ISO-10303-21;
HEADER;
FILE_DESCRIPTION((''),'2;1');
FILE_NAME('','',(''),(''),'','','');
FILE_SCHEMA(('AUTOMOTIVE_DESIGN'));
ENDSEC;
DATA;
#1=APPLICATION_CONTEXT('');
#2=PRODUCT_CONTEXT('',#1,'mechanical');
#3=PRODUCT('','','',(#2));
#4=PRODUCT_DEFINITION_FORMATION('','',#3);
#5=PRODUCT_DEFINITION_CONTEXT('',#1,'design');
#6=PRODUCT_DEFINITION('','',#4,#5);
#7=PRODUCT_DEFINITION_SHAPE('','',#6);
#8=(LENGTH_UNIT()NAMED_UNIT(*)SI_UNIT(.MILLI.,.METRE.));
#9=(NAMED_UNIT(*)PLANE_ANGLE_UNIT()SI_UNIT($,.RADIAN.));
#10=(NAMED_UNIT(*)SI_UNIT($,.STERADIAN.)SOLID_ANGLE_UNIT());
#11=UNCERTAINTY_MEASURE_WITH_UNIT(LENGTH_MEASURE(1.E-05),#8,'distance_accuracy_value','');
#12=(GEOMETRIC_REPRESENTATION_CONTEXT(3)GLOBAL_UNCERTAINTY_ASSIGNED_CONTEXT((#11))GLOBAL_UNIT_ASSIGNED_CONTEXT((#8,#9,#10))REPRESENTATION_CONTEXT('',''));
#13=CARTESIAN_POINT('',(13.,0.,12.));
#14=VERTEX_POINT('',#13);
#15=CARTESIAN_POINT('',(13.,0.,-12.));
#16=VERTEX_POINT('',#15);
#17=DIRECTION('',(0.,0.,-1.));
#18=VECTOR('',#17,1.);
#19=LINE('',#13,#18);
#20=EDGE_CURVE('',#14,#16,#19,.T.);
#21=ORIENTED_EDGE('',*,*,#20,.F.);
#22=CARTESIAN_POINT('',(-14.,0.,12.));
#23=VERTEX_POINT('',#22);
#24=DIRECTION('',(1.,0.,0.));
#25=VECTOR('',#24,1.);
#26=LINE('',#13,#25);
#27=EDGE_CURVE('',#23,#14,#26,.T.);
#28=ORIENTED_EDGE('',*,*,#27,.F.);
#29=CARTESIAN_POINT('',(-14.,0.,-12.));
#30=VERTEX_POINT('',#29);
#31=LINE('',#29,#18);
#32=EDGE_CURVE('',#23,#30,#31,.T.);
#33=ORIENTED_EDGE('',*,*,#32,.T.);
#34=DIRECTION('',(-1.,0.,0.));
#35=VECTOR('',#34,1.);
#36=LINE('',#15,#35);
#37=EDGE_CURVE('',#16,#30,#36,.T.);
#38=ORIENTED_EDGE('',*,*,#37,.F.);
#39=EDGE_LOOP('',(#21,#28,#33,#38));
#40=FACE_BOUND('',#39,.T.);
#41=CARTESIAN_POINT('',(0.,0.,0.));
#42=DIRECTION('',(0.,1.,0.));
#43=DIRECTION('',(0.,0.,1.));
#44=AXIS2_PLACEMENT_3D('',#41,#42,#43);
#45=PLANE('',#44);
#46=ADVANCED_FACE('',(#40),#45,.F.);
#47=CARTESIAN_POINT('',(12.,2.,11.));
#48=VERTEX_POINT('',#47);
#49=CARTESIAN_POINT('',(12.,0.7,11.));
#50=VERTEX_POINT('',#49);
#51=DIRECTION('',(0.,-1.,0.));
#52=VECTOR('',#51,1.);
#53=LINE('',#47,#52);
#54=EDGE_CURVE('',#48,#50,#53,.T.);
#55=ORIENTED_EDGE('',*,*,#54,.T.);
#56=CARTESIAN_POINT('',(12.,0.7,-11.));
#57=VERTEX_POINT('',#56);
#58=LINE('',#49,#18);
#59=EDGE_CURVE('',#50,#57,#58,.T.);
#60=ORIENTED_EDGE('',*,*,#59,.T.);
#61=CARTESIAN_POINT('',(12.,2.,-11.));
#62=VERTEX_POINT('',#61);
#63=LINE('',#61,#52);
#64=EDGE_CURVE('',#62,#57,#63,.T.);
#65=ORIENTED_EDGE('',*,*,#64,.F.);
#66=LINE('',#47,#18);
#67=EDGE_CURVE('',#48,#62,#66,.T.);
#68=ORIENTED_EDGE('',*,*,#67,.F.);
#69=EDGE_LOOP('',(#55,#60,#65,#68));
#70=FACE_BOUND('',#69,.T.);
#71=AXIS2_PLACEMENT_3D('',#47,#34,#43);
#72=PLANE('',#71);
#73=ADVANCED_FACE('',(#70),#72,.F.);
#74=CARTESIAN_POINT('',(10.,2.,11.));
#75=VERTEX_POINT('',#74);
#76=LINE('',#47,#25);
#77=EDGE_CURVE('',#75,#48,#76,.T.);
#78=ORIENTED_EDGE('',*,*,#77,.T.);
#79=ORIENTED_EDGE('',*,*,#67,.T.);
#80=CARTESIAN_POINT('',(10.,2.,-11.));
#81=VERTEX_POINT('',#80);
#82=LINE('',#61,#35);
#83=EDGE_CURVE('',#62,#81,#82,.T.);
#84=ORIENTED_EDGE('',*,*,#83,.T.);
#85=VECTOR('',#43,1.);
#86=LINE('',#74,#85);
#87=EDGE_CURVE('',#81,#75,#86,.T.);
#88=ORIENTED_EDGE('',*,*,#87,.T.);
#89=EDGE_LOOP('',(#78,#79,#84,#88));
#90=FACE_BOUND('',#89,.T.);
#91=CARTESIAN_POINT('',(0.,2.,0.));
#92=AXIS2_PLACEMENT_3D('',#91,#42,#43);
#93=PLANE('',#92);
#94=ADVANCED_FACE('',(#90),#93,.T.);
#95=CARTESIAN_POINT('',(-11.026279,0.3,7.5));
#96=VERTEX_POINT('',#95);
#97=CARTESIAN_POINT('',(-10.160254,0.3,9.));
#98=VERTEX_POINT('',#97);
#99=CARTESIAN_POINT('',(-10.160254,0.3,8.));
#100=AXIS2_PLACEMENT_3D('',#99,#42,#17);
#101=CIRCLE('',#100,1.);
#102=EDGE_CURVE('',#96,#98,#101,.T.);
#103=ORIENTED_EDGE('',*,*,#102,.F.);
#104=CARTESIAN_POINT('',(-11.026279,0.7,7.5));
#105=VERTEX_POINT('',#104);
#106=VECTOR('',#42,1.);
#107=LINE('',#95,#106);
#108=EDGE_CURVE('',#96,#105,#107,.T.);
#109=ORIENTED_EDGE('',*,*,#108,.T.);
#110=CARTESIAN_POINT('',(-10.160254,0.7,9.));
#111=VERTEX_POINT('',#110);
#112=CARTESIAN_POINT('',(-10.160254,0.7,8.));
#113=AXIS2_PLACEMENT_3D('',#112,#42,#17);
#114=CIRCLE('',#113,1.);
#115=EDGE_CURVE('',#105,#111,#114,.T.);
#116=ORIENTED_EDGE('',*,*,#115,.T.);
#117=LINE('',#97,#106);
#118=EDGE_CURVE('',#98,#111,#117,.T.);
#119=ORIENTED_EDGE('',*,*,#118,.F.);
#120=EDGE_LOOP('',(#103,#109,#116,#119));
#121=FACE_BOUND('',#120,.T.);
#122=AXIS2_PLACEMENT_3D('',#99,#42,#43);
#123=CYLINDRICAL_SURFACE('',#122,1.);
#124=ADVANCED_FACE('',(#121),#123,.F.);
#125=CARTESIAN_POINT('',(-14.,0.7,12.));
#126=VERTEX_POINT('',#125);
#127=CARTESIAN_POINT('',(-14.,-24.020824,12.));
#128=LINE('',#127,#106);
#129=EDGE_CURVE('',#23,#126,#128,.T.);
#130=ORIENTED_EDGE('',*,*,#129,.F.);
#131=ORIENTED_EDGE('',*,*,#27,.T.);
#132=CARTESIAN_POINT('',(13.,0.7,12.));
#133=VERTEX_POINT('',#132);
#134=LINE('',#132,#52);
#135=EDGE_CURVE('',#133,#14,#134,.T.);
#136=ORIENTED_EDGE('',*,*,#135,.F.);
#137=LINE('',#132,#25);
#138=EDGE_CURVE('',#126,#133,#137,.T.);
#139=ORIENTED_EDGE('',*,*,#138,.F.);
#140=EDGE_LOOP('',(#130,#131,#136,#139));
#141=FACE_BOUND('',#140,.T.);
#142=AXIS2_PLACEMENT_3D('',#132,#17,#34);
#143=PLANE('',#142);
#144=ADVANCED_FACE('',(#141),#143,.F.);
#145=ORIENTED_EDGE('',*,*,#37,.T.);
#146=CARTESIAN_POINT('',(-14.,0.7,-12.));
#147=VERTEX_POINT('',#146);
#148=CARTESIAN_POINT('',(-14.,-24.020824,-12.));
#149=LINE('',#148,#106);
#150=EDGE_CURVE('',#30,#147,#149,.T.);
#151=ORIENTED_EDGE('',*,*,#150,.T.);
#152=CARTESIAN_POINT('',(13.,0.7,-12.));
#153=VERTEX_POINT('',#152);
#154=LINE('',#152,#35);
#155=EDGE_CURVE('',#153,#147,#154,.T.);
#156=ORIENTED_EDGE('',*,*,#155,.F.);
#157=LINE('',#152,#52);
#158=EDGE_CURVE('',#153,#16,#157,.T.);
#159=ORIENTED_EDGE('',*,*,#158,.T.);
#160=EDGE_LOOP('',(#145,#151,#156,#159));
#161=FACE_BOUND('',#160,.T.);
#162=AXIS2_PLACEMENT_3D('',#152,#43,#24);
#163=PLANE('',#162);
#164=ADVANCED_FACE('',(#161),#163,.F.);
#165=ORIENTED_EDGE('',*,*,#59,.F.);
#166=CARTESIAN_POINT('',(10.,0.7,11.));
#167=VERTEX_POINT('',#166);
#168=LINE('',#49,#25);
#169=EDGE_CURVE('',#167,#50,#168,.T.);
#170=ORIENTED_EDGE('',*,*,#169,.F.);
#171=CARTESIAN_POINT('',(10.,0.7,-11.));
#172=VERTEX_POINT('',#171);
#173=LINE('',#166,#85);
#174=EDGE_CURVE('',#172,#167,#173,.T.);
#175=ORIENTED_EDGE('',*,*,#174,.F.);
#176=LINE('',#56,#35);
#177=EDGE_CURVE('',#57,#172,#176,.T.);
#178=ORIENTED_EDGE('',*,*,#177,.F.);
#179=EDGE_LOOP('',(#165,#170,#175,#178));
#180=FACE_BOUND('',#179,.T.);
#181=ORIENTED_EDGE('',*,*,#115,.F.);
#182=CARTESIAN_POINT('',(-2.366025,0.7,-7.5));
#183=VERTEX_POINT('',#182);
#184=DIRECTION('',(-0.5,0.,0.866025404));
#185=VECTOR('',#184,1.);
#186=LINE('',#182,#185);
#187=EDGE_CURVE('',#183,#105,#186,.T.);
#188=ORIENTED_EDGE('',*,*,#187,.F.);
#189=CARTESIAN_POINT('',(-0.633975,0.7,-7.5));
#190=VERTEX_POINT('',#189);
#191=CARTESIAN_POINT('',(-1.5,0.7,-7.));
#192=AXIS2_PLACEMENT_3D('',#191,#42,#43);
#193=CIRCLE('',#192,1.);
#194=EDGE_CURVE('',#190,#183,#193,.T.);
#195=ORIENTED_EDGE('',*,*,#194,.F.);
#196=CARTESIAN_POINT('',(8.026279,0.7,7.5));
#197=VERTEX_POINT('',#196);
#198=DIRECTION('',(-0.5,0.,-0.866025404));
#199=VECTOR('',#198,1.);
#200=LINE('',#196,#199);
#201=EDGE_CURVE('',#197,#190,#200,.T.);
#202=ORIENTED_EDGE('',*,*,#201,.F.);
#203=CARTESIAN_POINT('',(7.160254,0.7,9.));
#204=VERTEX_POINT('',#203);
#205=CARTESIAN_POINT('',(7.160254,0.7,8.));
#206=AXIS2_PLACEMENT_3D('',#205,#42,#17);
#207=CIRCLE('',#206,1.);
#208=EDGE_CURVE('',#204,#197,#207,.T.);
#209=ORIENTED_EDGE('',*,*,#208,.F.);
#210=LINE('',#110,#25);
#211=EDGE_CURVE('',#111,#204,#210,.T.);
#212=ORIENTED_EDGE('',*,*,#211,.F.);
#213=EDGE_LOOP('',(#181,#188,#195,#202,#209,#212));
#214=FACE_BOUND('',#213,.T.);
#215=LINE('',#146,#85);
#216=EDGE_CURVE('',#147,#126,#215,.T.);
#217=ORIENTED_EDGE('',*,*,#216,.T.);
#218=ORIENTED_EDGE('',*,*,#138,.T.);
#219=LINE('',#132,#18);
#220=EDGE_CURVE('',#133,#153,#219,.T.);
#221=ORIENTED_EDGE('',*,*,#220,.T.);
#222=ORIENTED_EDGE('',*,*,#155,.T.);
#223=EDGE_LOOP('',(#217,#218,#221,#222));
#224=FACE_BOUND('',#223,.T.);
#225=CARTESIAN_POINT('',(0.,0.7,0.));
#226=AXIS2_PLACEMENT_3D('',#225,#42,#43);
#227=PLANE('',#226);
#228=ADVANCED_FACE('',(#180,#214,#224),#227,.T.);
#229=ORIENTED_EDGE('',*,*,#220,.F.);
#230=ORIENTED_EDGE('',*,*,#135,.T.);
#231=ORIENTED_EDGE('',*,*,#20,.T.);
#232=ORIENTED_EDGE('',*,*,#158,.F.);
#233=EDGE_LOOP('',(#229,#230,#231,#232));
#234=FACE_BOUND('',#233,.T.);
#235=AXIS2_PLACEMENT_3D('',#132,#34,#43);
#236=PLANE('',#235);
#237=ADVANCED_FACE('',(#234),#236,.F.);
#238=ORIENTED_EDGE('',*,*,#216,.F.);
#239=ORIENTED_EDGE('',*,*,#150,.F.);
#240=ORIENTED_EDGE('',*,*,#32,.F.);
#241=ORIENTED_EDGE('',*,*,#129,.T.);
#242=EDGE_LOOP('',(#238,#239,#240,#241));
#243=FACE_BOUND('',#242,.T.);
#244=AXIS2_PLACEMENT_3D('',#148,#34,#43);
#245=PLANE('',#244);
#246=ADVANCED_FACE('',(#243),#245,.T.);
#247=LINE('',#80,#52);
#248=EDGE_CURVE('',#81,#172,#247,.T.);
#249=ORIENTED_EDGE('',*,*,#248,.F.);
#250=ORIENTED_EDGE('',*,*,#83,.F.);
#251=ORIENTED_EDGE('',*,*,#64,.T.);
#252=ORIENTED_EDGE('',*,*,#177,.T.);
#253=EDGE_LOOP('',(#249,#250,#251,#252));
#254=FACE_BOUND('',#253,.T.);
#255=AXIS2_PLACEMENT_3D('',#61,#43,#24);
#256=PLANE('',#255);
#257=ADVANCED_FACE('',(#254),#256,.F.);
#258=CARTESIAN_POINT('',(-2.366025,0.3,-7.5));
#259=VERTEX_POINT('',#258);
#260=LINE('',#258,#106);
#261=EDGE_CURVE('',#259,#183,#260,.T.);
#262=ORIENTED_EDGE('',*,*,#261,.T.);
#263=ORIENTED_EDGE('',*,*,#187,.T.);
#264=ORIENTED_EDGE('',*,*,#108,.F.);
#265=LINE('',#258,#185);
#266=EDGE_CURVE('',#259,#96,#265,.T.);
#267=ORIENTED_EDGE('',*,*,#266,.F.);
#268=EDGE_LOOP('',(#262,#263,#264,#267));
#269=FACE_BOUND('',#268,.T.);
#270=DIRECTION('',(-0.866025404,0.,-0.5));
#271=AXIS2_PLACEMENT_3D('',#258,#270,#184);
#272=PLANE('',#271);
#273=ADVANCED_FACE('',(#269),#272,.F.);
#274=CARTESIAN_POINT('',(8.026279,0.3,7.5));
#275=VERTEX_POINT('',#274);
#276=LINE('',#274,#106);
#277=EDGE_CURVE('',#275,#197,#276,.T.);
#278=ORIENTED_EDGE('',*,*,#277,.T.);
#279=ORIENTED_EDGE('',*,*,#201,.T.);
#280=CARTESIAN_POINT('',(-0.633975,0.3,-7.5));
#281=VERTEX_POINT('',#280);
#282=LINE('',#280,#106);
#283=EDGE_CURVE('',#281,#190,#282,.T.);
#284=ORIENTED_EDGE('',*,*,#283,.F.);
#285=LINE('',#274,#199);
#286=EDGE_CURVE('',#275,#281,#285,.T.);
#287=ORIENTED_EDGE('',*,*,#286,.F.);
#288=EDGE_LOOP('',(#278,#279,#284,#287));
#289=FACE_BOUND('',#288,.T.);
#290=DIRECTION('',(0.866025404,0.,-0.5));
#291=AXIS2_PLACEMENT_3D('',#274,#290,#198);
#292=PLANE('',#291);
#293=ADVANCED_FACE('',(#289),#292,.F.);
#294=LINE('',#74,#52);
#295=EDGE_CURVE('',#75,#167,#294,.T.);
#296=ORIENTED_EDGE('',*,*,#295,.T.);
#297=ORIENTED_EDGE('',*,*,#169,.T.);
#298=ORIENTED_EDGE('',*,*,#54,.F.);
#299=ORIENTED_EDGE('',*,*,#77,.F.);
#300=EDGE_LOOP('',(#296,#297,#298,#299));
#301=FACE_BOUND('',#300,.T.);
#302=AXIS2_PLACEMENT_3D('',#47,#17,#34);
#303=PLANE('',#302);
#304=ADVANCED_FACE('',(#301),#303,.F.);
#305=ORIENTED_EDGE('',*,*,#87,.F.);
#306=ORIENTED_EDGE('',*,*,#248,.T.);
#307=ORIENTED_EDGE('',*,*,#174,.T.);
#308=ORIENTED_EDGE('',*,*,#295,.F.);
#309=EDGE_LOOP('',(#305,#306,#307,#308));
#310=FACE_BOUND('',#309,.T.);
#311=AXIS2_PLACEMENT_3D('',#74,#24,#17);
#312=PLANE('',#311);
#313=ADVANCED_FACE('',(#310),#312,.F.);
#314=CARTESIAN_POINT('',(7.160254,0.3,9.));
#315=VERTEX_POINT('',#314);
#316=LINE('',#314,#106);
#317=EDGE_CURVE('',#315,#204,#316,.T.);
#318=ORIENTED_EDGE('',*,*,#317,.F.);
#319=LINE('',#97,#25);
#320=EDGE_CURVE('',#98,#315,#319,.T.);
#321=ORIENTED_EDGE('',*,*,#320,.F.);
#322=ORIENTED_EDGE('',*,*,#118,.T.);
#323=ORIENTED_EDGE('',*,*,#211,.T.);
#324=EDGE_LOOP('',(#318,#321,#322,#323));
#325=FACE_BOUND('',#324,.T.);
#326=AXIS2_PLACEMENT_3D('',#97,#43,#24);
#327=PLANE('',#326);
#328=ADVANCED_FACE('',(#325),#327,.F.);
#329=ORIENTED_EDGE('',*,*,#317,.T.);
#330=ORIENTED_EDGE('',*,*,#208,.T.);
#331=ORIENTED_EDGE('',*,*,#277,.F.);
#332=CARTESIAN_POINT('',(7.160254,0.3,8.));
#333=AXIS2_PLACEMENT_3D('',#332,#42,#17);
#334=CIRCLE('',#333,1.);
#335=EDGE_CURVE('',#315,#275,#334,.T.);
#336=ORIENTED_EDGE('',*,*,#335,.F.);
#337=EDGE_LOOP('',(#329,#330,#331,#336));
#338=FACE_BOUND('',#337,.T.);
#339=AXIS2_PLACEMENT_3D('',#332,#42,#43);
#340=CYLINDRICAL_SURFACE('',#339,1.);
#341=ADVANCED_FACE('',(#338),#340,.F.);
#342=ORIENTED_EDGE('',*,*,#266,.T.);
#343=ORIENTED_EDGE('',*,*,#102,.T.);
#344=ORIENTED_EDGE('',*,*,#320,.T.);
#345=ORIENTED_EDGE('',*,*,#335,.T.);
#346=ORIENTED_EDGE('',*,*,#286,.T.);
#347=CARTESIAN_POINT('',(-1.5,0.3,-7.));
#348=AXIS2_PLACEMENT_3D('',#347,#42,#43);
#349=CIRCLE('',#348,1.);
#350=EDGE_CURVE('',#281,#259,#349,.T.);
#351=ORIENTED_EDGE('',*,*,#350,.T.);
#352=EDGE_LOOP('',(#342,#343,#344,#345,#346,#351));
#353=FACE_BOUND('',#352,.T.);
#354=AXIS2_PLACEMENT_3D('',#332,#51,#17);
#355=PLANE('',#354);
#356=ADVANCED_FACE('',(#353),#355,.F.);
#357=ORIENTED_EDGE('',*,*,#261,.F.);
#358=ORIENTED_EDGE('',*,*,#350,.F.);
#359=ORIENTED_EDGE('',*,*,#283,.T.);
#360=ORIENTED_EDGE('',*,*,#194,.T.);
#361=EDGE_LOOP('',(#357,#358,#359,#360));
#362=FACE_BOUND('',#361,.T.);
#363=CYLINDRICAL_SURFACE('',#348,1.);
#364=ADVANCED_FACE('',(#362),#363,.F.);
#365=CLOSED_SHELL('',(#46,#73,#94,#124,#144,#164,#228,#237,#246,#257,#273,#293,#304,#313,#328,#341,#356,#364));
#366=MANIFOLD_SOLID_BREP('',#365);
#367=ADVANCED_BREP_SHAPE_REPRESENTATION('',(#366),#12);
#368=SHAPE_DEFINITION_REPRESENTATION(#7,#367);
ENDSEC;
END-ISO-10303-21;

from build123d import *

# Parameters (mm, degrees)
SKETCH1_W           = 26
SKETCH1_H           = 24
BOSS_EXTRUDE1_DEPTH = 0.7
SKETCH2_W           = 2
SKETCH2_H           = 22
BOSS_EXTRUDE2_DEPTH = 1.3
CUT_EXTRUDE2_DEPTH  = 0.4
SKETCH4_W           = 1
SKETCH4_H           = 24
BOSS_EXTRUDE3_DEPTH = 0.7


with BuildPart() as part:
    # Sketch1 → Boss-Extrude1 (new body)
    with BuildSketch(Plane(origin=(0, 0, 0), x_dir=(1, 0, 0), z_dir=(0, 1, 0))):
        Rectangle(SKETCH1_W, SKETCH1_H)
    extrude(amount=BOSS_EXTRUDE1_DEPTH)

    # Sketch2 → Boss-Extrude2 (add)
    with BuildSketch(Plane(origin=(0, 0.7, 0), x_dir=(1, 0, 0), z_dir=(0, 1, 0))):
        with Locations((11, 0)):
            Rectangle(SKETCH2_W, SKETCH2_H)
    extrude(amount=BOSS_EXTRUDE2_DEPTH)

    # Sketch3 → Cut-Extrude2 (cut)
    with BuildSketch(Plane(origin=(0, 0.7, 0), x_dir=(1, 0, 0), z_dir=(0, 1, 0))):
        with BuildLine():
            Line((-2.366025404, 7.5), (-11.026279442, -7.5))
            ThreePointArc((-11.026279442, -7.5), (-11.026279442, -8.5), (-10.160254038, -9))
            Line((-10.160254038, -9), (7.160254038, -9))
            ThreePointArc((7.160254038, -9), (8.026279442, -8.5), (8.026279442, -7.5))
            Line((8.026279442, -7.5), (-0.633974596, 7.5))
            ThreePointArc((-0.633974596, 7.5), (-1.5, 8), (-2.366025404, 7.5))
        make_face()
    extrude(amount=-CUT_EXTRUDE2_DEPTH, mode=Mode.SUBTRACT)

    # Sketch4 → Boss-Extrude3 (add)
    with BuildSketch(Plane(origin=(0, 0.7, 0), x_dir=(1, 0, 0), z_dir=(0, 1, 0))):
        with Locations((-13.5, 0)):
            Rectangle(SKETCH4_W, SKETCH4_H)
    extrude(amount=-BOSS_EXTRUDE3_DEPTH)


solid = part.part
